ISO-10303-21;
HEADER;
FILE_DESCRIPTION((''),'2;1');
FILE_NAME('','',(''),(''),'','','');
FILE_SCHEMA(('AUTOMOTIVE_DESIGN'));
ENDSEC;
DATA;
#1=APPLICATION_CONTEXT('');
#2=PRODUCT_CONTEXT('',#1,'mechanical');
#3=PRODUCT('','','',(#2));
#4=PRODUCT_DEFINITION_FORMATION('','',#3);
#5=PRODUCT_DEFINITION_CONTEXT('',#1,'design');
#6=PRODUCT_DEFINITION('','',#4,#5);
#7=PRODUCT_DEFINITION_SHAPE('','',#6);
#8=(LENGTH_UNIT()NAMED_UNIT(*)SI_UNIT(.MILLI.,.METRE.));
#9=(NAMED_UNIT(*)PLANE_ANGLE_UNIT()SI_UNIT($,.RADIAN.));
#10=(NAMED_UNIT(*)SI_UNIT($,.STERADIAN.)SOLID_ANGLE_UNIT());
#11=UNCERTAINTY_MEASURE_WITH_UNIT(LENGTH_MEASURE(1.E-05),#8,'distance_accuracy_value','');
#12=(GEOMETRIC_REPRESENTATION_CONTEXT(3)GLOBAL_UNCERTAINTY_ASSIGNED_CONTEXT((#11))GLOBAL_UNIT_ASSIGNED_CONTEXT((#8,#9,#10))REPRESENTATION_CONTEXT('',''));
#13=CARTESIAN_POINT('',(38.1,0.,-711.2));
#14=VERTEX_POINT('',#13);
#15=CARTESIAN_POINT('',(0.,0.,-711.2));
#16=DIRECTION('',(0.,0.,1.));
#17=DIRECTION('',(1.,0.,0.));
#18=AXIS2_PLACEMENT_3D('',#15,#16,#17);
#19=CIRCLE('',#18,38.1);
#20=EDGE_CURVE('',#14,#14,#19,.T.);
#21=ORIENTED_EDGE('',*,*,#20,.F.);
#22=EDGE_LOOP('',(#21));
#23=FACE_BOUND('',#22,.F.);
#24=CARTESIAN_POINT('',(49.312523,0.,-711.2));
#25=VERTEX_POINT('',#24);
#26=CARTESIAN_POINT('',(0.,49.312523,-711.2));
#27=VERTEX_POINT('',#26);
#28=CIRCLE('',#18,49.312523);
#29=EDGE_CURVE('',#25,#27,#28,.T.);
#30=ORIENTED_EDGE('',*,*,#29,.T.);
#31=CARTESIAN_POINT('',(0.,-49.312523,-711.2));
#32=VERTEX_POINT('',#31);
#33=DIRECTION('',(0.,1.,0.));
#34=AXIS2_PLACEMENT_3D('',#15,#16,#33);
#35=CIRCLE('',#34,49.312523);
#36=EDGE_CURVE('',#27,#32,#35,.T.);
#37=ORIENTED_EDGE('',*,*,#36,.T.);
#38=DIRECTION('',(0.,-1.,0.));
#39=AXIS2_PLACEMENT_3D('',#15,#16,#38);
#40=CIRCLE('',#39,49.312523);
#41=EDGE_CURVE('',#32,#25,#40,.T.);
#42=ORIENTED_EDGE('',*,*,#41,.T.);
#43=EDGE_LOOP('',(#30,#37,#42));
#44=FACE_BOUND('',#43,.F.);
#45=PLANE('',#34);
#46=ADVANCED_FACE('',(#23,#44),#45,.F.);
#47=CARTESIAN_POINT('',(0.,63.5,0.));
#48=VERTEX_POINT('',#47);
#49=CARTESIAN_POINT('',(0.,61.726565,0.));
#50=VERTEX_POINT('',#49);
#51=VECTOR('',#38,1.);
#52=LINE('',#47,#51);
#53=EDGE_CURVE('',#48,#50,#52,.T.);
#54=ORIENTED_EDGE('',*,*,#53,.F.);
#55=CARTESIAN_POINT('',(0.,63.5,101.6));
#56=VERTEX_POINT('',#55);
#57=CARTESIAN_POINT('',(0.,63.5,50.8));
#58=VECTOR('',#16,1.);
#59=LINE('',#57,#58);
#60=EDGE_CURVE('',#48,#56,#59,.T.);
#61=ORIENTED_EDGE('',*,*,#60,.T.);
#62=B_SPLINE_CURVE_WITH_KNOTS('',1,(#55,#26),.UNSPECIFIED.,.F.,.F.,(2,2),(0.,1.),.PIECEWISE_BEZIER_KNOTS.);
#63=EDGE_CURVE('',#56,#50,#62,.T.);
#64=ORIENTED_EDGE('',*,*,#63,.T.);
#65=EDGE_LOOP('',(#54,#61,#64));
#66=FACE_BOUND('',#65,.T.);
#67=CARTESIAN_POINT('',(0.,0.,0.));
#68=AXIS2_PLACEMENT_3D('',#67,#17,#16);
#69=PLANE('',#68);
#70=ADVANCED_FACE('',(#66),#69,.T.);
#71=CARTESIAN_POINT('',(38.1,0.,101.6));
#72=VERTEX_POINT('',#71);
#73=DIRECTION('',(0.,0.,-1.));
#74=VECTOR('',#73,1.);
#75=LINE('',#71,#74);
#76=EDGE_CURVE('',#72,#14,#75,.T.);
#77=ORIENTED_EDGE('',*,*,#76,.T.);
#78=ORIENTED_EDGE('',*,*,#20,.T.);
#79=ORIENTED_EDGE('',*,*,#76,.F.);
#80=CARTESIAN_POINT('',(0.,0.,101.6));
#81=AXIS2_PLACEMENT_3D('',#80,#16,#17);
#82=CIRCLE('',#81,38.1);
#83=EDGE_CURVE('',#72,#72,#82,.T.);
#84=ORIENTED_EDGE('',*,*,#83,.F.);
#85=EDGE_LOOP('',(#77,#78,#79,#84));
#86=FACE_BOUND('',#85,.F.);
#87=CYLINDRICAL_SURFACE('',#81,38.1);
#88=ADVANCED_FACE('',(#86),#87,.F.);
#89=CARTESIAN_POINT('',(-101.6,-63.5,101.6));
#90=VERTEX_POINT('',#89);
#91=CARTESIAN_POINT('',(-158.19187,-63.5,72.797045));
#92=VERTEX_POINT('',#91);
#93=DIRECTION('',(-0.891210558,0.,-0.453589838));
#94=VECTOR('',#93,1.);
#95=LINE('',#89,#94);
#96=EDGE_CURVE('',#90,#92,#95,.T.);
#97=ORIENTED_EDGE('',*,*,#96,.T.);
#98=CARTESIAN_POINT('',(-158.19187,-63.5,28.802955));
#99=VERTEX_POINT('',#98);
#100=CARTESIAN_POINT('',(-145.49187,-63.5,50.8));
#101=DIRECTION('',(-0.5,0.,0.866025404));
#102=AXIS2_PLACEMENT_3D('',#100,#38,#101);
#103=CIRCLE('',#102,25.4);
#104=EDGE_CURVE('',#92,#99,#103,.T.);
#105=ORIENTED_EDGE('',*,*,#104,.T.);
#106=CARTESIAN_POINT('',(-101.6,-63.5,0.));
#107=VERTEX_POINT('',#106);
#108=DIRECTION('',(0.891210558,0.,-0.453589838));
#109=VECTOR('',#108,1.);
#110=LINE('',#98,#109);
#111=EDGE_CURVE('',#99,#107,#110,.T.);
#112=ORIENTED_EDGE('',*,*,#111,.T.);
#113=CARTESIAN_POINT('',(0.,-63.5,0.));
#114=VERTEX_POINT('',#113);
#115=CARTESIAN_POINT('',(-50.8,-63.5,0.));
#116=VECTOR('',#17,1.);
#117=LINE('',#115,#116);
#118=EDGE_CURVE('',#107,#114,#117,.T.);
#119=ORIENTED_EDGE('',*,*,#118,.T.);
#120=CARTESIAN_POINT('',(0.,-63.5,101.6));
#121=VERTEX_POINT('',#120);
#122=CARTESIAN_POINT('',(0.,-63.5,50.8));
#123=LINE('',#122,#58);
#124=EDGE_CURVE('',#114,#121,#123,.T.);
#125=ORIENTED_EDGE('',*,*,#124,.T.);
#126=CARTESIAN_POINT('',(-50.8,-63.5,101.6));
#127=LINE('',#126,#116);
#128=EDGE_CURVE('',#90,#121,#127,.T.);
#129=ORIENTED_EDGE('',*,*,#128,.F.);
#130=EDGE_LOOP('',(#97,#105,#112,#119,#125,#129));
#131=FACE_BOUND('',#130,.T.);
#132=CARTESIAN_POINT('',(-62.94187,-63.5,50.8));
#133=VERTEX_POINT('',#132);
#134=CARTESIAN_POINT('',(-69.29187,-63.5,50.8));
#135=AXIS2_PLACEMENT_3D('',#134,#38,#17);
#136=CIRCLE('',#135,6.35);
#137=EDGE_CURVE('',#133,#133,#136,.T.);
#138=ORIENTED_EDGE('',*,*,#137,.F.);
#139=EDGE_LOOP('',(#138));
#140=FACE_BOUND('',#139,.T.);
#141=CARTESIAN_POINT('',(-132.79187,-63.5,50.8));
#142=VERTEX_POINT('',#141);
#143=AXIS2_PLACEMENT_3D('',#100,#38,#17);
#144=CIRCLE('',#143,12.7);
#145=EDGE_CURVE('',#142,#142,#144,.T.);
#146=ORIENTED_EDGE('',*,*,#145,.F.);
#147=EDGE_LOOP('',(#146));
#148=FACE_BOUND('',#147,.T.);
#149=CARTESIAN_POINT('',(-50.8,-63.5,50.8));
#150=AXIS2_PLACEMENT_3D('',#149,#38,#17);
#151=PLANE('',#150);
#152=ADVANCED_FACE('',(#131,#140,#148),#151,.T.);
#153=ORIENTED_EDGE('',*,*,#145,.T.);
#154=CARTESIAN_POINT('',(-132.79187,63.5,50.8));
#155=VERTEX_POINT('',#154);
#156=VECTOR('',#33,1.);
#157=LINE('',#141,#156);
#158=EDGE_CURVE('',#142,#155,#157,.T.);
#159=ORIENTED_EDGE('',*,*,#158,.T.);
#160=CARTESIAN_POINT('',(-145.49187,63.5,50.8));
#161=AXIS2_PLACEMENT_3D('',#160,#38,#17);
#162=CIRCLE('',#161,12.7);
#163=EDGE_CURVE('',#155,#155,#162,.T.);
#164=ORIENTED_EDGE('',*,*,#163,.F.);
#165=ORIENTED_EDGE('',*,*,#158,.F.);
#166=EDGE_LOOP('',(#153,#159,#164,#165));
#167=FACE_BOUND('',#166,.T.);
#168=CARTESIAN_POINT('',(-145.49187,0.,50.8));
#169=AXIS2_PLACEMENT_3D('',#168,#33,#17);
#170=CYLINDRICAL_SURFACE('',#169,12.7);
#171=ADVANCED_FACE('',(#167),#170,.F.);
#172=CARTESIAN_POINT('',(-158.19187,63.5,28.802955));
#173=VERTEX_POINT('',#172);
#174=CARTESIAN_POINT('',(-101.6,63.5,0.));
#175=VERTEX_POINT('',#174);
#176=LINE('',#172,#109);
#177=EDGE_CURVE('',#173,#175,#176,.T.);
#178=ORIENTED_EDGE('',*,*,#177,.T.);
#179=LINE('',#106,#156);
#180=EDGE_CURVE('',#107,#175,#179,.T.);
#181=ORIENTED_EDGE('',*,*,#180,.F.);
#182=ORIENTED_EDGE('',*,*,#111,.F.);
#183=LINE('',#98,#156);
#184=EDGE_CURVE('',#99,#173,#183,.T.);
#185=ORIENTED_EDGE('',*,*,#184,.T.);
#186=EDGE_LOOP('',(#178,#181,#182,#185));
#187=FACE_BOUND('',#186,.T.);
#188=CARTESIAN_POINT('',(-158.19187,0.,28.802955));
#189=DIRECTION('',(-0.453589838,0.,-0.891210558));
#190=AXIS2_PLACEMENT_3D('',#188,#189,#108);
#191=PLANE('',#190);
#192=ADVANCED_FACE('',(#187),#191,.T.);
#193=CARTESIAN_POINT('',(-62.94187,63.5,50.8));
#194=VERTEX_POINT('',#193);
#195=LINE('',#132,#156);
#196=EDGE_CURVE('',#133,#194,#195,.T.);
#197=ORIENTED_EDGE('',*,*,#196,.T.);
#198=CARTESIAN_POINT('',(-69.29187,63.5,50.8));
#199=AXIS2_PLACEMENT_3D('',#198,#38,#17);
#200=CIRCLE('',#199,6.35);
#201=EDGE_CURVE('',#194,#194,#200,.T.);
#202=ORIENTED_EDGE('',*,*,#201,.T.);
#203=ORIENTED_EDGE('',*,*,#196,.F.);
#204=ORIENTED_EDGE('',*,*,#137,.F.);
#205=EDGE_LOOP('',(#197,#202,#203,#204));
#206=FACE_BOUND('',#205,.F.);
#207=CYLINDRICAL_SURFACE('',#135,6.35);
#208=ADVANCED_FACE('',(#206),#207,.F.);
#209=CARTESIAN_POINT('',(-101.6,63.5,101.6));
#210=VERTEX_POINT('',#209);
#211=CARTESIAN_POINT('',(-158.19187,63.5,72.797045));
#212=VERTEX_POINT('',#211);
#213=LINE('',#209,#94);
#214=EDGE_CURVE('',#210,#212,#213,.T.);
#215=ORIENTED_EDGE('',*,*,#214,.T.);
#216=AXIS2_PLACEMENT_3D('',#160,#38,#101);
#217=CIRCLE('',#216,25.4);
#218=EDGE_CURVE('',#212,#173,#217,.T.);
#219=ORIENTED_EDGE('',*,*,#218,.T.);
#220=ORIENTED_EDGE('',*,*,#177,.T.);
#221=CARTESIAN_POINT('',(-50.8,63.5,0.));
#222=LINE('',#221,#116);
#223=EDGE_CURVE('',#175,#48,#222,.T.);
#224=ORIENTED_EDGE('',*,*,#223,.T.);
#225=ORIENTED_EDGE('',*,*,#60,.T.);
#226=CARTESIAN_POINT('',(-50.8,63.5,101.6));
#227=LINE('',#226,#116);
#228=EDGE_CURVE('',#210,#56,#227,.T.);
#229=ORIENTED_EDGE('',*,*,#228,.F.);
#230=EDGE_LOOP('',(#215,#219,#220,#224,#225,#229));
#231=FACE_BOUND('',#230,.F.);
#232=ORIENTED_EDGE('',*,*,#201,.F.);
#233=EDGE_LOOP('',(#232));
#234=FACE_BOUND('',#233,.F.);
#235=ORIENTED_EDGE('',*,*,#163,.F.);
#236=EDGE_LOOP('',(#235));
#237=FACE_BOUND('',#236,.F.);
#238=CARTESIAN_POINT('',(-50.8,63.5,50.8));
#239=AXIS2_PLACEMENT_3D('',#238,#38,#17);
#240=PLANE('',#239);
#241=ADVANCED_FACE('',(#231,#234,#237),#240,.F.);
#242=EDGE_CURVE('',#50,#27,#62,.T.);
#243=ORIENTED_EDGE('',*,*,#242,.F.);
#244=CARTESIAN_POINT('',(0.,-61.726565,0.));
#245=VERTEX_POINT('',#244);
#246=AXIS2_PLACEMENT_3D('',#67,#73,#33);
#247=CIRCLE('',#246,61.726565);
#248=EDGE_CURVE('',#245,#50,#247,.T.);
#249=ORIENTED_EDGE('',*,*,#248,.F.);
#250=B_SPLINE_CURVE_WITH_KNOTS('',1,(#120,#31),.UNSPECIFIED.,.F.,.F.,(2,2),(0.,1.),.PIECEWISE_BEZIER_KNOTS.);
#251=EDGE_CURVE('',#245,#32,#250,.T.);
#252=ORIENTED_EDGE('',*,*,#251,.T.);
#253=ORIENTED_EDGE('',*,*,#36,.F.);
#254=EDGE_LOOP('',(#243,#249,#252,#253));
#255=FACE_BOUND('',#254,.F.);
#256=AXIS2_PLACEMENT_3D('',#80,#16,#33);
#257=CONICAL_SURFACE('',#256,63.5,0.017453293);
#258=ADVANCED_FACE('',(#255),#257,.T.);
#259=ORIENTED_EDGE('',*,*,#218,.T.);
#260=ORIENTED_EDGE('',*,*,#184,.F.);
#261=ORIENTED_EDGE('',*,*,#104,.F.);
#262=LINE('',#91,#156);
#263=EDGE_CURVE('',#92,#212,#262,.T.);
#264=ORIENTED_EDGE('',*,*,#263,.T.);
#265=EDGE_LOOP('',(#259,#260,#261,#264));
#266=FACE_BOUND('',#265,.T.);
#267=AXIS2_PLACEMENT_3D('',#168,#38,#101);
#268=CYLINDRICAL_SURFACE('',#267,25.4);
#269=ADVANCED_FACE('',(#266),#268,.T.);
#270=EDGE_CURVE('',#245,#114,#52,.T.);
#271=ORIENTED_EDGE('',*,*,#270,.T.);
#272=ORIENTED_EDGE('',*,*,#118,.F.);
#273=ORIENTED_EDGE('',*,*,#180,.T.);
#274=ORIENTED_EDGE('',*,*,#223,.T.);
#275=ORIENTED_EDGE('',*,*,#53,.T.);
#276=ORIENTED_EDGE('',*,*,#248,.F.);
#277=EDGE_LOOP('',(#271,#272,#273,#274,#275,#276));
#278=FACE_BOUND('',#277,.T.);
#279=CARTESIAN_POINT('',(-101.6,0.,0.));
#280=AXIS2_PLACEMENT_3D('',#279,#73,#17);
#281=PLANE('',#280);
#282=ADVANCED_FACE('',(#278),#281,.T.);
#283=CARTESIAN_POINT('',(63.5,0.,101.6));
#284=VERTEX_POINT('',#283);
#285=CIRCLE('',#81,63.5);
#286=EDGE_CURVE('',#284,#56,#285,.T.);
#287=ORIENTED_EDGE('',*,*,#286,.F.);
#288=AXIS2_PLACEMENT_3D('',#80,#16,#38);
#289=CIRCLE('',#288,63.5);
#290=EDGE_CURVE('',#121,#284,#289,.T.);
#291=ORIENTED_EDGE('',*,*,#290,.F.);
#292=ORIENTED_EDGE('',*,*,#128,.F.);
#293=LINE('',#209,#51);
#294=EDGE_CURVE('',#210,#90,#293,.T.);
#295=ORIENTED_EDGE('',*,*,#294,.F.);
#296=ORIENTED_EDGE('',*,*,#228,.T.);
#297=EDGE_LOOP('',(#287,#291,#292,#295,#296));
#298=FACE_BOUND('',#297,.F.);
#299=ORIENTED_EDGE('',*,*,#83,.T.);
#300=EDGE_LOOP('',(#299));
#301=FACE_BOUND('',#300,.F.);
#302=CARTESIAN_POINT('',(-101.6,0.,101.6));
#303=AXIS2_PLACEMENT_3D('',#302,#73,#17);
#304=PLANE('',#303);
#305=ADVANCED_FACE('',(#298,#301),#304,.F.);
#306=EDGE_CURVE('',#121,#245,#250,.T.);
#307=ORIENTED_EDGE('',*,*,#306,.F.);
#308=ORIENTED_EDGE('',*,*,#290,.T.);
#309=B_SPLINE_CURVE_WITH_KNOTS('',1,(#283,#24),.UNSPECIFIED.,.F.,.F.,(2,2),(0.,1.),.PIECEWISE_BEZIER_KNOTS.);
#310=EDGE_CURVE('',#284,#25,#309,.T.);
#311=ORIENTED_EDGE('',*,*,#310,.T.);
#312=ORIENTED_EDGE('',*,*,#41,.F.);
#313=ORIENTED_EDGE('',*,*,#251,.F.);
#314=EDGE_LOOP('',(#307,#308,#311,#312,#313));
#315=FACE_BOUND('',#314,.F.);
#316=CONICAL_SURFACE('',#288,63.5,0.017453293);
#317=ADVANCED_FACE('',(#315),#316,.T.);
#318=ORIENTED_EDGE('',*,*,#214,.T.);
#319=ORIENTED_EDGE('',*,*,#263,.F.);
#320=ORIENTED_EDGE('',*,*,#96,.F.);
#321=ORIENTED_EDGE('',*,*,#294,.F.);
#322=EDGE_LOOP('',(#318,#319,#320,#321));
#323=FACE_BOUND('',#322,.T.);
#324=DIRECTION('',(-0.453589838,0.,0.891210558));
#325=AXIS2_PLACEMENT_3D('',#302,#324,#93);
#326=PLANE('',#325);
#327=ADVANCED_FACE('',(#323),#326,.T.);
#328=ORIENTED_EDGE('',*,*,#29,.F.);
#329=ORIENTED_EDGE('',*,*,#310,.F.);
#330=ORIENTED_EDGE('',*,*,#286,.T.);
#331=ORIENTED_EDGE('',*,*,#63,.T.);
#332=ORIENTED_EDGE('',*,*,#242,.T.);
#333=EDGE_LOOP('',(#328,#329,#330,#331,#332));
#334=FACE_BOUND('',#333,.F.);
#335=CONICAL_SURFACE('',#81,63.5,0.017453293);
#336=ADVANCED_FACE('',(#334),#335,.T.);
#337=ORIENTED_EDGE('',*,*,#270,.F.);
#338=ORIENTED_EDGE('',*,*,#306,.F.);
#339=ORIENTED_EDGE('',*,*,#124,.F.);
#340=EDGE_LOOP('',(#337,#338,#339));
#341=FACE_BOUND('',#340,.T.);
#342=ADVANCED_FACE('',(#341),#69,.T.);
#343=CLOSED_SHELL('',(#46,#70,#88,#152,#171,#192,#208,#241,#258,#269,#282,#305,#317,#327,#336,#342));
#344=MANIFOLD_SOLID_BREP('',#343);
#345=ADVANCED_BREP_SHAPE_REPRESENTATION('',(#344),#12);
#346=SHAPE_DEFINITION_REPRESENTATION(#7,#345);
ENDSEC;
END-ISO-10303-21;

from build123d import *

# Parameters (mm, degrees)
F0_W     = 101.6
F0_H     = 101.6
F0_R     = 12.7
F1_DEPTH = 63.5
F3_DEPTH = 812.8
F3_TAPER = 1
F4_R     = 38.1
F5_DEPTH = 812.8010001
F6_R     = 6.35
F7_DEPTH = 127.0010001


with BuildPart() as f1:
    # F0 (on Front) → F1 (new body, symmetric)
    with BuildSketch(Plane.XZ):
        with Locations((-50.8, 50.8)):
            Rectangle(F0_W, F0_H)
        with BuildLine():
            Line((-158.1918704234, 28.8029547439), (-101.6, 0))
            Line((-101.6, 0), (-101.6, 101.6))
            Line((-101.6, 101.6), (-158.1918704234, 72.7970452561))
            ThreePointArc((-158.1918704234, 72.7970452561), (-170.8918704234, 50.8), (-158.1918704234, 28.8029547439))
        make_face()
        with Locations((-145.4918704234, 50.8)):
            Circle(F0_R, mode=Mode.SUBTRACT)
    extrude(amount=F1_DEPTH, both=True)

    # F2 (on face) → F3 (join)
    with BuildSketch(Plane.XY.offset(101.6)):
        with BuildLine():
            ThreePointArc((0, 63.5), (-63.5, 0), (0, -63.5))
            Line((0, -63.5), (0, 63.5))
        make_face()
        with BuildLine():
            Line((0, 63.5), (0, -63.5))
            ThreePointArc((0, -63.5), (44.9012806053, -44.9012806053), (63.5, 0))
            ThreePointArc((63.5, 0), (44.9012806053, 44.9012806053), (0, 63.5))
        make_face()
    extrude(amount=-F3_DEPTH, taper=F3_TAPER)

    # F4 (on face) → F5 (cut, through all)
    with BuildSketch(Plane.XY.offset(101.6)):
        Circle(F4_R)
    extrude(amount=-F5_DEPTH, mode=Mode.SUBTRACT)

    # F6 (on face) → F7 (cut, through all)
    with BuildSketch(Plane.XZ.offset(63.5)):
        with Locations((-69.2918704234, 50.8)):
            Circle(F6_R)
    extrude(amount=-F7_DEPTH, mode=Mode.SUBTRACT)


solid = f1.part
